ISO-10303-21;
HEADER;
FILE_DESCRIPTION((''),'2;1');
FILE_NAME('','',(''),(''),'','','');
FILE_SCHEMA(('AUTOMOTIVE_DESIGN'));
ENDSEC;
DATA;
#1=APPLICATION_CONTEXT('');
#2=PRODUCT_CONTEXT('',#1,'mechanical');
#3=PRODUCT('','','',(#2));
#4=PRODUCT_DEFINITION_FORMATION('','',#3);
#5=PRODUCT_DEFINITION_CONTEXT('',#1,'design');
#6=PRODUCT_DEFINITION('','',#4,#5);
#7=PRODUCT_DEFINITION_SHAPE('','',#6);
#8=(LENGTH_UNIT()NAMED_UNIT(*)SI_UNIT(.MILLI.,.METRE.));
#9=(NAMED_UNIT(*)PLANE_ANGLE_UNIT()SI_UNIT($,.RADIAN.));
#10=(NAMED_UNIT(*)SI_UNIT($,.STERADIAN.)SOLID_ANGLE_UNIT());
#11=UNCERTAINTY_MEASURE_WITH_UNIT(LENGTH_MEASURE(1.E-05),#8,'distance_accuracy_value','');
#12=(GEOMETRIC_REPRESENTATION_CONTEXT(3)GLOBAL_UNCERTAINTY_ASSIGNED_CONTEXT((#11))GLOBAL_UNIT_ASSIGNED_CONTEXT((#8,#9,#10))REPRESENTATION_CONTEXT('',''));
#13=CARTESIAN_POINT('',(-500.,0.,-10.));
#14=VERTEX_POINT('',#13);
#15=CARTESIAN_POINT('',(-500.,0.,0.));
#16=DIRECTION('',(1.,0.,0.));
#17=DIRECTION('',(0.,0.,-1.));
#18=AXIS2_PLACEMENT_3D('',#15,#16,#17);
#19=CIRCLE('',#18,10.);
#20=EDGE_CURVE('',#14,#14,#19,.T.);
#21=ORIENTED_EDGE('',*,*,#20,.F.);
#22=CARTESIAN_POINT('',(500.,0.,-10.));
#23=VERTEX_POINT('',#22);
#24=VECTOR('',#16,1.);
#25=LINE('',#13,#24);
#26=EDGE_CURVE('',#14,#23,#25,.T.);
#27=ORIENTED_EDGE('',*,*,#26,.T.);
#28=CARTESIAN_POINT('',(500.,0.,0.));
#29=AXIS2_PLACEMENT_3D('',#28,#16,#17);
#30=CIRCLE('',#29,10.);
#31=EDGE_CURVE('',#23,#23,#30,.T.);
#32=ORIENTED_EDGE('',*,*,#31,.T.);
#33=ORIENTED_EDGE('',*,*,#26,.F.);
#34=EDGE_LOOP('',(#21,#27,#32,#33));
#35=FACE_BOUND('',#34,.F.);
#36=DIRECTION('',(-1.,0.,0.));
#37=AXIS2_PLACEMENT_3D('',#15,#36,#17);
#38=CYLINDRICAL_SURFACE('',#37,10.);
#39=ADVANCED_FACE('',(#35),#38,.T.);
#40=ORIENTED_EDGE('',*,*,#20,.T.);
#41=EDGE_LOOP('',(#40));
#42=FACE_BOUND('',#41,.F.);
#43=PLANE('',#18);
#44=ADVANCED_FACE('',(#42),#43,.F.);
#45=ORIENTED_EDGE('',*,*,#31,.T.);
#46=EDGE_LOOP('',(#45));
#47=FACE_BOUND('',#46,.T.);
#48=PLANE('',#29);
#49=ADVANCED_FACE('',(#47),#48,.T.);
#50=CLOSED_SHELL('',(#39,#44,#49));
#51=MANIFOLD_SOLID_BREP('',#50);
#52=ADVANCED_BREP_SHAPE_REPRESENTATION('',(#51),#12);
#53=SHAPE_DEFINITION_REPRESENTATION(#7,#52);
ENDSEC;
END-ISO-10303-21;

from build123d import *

# Parameters (mm, degrees)
CYLINDER_R           = 10
CYLINDER_DEPTH       = 1000
CYLINDER_PITCH_ANGLE = 90


with BuildPart() as part:
    # Cylinder → Cylinder (new body)
    with BuildSketch(Plane.XY):
        Circle(CYLINDER_R)
    extrude(amount=CYLINDER_DEPTH)


with BuildPart() as part_1:
    # Cylinder pitch: moved
    add(part.part.rotate(Axis((0, 0, 0), (0, 1, 0)), CYLINDER_PITCH_ANGLE))


with BuildPart() as part_2:
    # Cylinder placement: moved
    add(part_1.part.moved(Location((-500, 0, 0))))


solid = part_2.part
